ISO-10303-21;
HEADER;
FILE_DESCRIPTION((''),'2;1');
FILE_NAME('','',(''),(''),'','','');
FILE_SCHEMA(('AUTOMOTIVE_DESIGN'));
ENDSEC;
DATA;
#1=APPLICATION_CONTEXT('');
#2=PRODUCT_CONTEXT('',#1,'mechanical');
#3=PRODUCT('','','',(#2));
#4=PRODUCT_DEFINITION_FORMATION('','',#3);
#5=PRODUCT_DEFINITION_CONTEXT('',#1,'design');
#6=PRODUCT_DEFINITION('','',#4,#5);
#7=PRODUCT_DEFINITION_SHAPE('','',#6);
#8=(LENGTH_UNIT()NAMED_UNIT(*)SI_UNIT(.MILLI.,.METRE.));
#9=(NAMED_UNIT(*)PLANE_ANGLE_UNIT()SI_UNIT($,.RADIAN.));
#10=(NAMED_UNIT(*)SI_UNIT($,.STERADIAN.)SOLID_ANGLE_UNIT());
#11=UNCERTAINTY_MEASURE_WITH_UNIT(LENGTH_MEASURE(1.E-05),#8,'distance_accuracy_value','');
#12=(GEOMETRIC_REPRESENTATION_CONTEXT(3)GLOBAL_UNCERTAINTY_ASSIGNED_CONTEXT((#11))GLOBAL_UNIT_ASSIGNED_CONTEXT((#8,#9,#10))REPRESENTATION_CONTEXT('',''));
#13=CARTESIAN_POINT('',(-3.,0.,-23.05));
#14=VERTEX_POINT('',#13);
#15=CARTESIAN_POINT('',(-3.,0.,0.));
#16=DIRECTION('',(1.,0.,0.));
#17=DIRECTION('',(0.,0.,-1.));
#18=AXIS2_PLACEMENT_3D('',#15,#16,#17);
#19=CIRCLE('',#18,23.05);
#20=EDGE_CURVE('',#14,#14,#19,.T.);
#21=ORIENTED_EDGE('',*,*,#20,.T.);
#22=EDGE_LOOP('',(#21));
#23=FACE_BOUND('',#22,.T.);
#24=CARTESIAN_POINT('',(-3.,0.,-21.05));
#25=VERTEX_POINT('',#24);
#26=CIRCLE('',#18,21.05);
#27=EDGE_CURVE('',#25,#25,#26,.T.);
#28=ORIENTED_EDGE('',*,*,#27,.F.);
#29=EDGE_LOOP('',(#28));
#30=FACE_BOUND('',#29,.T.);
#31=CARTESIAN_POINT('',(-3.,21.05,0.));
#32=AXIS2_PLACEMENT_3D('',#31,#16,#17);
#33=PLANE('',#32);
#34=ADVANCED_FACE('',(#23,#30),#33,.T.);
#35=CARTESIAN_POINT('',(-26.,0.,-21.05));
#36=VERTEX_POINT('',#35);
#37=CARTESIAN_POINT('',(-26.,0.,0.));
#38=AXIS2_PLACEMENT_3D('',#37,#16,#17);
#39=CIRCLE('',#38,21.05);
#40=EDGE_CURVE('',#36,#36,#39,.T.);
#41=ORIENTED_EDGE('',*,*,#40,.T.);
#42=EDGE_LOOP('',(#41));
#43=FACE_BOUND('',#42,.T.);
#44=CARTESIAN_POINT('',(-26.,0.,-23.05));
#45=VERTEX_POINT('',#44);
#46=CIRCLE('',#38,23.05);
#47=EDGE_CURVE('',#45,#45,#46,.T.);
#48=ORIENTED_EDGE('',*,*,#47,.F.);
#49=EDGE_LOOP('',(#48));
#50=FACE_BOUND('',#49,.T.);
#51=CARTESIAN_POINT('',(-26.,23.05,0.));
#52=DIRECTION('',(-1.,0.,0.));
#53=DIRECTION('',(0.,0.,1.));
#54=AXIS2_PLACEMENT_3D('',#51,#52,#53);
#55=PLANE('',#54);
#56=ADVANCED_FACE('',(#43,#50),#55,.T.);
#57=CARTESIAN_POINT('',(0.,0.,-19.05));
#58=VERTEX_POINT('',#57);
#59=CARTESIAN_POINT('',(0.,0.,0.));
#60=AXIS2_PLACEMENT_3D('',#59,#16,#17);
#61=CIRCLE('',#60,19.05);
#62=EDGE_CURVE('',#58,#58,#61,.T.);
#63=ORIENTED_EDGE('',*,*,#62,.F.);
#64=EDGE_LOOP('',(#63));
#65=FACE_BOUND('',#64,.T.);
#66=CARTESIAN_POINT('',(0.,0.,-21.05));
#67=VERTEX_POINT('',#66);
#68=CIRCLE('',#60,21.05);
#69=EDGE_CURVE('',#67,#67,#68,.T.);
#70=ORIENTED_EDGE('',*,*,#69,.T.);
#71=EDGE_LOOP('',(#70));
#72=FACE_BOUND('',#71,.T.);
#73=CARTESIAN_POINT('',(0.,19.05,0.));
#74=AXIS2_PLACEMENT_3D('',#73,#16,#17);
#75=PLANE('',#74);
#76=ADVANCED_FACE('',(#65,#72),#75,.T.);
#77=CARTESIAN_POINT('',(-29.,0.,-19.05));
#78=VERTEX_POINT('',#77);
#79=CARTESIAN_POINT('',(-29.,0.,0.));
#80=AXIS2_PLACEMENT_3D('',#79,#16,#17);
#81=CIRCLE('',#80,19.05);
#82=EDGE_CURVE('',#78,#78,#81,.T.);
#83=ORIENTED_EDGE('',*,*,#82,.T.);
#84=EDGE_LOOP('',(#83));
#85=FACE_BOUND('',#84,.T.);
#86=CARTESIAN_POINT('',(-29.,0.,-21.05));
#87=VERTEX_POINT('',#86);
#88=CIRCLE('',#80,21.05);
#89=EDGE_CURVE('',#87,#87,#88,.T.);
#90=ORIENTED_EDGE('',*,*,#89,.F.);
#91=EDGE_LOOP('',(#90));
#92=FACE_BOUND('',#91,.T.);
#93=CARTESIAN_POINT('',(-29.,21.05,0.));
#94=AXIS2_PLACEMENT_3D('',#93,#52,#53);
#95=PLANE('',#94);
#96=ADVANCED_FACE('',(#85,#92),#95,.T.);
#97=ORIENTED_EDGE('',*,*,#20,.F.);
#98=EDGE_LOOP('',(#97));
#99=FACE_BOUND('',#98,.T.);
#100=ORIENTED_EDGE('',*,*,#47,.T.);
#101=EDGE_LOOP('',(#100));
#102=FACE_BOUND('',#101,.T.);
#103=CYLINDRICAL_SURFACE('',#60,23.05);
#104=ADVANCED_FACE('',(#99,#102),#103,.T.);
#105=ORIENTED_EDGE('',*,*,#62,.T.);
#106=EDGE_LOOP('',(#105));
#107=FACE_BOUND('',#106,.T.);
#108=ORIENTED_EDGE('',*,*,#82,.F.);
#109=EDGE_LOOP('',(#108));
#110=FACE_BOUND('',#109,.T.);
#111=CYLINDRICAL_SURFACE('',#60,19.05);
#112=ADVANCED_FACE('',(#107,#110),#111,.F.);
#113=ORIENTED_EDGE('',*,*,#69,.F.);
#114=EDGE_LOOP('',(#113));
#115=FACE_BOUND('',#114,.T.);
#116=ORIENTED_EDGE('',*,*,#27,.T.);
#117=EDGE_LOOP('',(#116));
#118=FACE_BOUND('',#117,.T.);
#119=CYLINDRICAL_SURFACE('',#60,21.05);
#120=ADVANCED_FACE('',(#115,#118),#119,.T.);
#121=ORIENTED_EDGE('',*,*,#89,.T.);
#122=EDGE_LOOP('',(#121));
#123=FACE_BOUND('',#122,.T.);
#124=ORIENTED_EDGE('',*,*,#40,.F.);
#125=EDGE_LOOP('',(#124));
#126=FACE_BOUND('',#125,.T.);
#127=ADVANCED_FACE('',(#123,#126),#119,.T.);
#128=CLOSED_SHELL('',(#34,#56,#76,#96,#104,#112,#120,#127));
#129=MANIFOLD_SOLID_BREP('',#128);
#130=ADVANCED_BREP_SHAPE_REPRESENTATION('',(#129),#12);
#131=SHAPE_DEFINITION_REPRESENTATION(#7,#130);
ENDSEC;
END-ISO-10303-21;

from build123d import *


with BuildPart() as part:
    # Sketch2 → Revolve2 (revolve)
    with BuildSketch(Plane.XY, mode=Mode.PRIVATE) as revolve2_sk:
        Polygon((0, 21.05), (-3, 21.05), (-3, 23.05), (-26, 23.05), (-26, 21.05), (-29, 21.05), (-29, 19.05), (0, 19.05), align=None)
    revolve(revolve2_sk.sketch.rotate(Axis((0, 0, 0), (-1, 0, 0)), 90), axis=Axis((0, 0, 0), (-1, 0, 0)))


solid = part.part
